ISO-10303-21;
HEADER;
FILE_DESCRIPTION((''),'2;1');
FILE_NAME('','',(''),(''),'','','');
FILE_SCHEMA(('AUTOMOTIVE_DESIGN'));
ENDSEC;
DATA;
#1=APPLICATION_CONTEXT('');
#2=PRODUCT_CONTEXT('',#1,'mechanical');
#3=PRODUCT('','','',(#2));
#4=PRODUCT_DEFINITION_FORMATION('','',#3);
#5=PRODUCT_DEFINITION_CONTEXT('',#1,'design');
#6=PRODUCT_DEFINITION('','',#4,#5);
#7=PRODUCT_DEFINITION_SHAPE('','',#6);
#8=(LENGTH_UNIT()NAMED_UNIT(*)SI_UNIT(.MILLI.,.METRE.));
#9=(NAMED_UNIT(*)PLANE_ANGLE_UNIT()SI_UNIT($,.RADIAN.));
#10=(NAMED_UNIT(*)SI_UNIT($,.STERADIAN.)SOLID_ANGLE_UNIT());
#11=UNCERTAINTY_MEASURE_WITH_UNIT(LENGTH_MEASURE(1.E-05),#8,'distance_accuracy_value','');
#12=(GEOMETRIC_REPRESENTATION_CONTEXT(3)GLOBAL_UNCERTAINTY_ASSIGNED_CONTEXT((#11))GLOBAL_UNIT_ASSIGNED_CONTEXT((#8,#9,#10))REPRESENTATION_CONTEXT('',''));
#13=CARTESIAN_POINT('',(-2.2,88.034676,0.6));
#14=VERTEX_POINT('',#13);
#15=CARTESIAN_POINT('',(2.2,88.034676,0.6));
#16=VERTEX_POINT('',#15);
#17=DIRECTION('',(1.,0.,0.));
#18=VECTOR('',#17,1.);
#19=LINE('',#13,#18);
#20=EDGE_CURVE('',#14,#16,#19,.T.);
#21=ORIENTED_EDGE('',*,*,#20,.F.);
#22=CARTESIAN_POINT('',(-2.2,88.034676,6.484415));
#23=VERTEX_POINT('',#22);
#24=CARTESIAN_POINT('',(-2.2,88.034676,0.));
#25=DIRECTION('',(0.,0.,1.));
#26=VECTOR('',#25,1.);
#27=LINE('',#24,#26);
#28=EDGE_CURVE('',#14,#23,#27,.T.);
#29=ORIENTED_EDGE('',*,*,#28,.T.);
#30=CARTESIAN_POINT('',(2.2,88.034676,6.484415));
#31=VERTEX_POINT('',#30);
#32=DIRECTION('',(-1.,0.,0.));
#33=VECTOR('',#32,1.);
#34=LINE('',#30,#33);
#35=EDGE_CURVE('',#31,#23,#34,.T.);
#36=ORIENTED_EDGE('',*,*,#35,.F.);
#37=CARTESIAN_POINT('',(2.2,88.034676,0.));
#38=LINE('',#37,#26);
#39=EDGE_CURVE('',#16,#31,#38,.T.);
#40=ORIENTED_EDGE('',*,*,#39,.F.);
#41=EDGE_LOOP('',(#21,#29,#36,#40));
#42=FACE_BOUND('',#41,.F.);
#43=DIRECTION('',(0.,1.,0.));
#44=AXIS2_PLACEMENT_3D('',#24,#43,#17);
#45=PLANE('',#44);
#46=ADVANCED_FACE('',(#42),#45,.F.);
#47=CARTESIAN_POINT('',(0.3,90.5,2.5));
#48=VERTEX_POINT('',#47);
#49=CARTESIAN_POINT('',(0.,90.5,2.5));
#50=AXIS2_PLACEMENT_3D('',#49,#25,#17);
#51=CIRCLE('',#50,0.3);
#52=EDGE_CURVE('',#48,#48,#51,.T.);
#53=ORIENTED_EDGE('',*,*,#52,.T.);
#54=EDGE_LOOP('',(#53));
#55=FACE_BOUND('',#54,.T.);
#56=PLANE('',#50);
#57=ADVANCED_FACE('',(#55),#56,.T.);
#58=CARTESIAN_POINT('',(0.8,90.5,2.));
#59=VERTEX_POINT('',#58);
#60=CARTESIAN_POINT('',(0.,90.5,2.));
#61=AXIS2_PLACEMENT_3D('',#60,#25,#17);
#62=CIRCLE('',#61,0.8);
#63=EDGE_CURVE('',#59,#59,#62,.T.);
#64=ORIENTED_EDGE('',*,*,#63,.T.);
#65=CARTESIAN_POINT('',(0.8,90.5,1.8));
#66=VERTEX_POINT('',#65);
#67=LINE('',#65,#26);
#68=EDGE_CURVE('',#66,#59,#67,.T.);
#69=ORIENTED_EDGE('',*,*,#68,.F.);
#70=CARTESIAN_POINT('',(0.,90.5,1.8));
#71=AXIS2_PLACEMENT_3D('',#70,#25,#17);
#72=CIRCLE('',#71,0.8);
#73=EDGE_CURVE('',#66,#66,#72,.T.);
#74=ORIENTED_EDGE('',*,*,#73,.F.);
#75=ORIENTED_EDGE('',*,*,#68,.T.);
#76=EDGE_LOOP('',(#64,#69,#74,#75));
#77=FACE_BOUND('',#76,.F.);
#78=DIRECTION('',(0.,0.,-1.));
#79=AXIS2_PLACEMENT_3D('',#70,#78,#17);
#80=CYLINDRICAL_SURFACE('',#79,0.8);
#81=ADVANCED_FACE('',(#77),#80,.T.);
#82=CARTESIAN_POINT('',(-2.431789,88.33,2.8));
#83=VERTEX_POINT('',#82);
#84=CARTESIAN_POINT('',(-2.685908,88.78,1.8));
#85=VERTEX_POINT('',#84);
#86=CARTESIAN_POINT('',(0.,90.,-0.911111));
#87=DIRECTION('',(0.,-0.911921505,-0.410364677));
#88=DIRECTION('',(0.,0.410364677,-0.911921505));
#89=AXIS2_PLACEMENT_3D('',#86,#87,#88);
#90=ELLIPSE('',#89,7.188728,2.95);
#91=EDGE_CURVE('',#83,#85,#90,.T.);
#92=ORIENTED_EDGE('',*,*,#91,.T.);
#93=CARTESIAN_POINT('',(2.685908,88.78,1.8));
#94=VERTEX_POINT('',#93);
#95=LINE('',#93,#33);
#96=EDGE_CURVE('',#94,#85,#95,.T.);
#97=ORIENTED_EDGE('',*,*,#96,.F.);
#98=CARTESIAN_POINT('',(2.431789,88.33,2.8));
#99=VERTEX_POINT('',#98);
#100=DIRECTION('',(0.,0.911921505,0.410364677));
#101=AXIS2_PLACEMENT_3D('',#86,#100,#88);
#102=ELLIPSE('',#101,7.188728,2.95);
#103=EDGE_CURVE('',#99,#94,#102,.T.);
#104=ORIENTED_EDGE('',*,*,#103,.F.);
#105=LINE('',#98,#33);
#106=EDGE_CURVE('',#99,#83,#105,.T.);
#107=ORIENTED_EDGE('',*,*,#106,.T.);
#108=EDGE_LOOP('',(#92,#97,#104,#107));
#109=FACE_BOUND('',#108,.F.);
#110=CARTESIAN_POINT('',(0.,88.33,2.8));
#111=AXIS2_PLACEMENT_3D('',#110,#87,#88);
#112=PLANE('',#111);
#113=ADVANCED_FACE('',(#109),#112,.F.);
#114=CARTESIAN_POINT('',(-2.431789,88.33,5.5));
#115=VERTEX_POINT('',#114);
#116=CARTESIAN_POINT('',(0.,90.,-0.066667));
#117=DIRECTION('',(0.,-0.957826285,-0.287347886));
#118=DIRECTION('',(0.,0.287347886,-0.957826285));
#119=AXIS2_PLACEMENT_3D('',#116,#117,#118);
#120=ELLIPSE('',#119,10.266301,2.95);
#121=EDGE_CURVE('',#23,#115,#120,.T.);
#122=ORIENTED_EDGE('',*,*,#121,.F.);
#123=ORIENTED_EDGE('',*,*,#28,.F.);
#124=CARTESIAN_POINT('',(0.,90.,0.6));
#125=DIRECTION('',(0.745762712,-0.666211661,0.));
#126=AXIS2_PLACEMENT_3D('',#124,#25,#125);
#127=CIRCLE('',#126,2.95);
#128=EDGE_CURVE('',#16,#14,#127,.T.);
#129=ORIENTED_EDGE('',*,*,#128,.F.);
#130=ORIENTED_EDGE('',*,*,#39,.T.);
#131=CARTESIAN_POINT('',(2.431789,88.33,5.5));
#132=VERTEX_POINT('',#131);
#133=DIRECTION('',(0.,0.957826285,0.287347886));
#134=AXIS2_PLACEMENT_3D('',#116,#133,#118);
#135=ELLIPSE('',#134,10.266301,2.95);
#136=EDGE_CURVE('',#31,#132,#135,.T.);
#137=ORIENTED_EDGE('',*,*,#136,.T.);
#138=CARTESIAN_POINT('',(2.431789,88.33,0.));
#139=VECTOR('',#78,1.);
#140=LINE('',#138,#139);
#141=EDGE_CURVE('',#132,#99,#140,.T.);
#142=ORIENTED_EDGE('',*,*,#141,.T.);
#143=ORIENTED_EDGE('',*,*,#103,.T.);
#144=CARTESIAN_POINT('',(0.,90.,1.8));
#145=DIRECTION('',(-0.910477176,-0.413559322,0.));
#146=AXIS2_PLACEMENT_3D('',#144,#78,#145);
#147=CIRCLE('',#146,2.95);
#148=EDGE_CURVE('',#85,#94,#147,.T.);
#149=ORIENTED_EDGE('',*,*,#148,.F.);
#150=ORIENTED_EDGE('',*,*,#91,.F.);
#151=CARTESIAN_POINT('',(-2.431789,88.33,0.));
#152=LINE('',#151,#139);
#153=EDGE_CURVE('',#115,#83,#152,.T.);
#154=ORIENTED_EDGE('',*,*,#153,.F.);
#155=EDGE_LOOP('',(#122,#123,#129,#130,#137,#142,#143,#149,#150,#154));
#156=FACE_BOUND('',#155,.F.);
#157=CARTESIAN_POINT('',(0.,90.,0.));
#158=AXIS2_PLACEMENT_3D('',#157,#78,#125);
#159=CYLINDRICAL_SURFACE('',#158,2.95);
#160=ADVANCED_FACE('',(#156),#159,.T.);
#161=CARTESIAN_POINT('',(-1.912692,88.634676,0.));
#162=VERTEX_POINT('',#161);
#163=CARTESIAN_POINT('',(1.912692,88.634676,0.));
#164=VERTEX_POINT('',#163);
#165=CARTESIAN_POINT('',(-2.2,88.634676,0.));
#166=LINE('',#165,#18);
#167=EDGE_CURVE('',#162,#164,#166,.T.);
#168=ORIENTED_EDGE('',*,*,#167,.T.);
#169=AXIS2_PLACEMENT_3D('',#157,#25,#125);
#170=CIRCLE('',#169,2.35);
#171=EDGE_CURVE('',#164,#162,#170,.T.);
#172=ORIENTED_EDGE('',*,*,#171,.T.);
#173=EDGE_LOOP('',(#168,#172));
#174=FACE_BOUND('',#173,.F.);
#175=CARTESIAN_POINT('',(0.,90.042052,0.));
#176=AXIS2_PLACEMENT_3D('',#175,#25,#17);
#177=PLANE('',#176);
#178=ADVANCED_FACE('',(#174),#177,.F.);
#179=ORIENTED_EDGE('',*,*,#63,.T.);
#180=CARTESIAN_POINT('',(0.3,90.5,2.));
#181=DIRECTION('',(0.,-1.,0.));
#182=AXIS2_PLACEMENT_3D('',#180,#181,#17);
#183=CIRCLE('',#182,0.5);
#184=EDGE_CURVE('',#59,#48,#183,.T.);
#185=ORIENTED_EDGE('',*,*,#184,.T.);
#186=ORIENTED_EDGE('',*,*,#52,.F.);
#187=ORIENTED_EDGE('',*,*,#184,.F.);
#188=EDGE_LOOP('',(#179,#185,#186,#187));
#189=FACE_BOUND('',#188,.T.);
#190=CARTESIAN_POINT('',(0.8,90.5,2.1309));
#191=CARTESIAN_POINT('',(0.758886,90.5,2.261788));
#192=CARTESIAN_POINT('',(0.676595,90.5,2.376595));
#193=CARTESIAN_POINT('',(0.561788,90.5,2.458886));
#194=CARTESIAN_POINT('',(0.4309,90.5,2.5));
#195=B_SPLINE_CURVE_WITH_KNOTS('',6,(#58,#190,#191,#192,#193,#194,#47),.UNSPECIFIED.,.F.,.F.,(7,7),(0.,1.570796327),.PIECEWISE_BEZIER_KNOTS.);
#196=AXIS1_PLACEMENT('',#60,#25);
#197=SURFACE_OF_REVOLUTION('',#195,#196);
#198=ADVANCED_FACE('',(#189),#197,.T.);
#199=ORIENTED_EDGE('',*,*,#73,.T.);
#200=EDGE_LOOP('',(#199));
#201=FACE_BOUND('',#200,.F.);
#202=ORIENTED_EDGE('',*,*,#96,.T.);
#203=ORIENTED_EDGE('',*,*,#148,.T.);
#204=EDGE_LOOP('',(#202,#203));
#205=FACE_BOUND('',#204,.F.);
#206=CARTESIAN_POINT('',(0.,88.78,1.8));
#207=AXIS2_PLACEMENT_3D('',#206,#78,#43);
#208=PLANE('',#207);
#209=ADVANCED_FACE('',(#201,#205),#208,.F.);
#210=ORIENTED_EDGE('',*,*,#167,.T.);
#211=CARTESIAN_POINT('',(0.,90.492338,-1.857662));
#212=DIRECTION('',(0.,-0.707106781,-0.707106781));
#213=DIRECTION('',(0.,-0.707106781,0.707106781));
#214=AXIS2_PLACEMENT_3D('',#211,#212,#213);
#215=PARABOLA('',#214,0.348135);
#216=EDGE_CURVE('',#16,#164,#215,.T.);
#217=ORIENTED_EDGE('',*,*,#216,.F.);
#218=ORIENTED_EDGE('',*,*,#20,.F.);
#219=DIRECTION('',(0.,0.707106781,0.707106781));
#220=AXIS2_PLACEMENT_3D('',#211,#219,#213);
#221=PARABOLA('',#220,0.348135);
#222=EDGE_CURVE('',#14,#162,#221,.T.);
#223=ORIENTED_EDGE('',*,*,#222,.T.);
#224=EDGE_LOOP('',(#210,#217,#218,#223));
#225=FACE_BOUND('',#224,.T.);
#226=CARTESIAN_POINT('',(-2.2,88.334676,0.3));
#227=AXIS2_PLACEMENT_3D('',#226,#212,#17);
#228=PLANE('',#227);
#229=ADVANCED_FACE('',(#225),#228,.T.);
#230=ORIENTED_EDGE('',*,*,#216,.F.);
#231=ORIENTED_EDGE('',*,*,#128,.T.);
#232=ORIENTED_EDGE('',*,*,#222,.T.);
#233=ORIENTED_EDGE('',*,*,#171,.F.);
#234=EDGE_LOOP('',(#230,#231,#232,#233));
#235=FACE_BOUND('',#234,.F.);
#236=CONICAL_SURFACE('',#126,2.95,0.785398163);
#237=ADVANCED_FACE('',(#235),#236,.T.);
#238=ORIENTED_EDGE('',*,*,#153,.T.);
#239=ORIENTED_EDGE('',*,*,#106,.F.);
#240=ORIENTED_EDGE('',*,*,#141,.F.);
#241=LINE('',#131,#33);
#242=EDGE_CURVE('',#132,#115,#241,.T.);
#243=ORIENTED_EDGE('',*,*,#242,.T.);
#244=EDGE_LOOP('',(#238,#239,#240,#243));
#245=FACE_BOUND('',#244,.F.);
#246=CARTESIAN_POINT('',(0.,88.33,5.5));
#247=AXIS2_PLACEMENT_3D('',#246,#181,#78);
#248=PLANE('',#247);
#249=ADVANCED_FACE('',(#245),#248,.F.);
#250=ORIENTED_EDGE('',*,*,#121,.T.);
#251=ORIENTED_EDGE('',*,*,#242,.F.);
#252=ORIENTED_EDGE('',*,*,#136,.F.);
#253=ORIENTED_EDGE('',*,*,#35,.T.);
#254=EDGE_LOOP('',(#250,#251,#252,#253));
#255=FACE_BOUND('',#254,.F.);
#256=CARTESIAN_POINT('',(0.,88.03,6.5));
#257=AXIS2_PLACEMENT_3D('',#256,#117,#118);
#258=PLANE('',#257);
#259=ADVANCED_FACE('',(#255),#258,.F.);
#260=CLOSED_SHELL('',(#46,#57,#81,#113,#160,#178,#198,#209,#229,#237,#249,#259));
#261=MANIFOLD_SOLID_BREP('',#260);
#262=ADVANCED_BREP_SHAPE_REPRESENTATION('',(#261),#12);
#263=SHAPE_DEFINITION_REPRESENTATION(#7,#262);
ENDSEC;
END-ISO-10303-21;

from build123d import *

# Parameters (mm, degrees)
PAD003_DEPTH         = 6.5
POCKET004_DEPTH      = 2.951
POCKET004_DEPTH_BACK = 2.951
SKETCH013_R          = 0.8
PAD006_DEPTH         = 0.7
FILLET_R             = 0.5
CHAMFER004_SIZE      = 0.6


with BuildPart() as part:
    # Sketch004 → Pad003 (new body)
    with BuildSketch(Plane.XY):
        with BuildLine():
            ThreePointArc((2.2, -1.9653244007), (0, 2.95), (-2.2, -1.9653244007))
            Line((-2.2, -1.9653244007), (2.2, -1.9653244007))
        make_face()
    extrude(amount=PAD003_DEPTH)

    # Sketch014 → Pocket004 (cut, two sides)
    with BuildSketch(Plane.YZ) as pocket004_sk:
        Polygon((-1.97, 6.5), (-1.67, 5.5), (-1.67, 2.8), (-1.22, 1.8), (4, 1.8), (4, 6.5), align=None)
    extrude(amount=-POCKET004_DEPTH, mode=Mode.SUBTRACT)
    extrude(pocket004_sk.sketch, amount=POCKET004_DEPTH_BACK, mode=Mode.SUBTRACT)

    # Sketch013 (on Face7 of Pocket004) → Pad006 (join)
    with BuildSketch(Plane.XY.offset(1.8)):
        with Locations((0, 0.5)):
            Circle(SKETCH013_R)
    extrude(amount=PAD006_DEPTH)

    # Fillet
    fillet_edges = [part.edges().sort_by_distance(p)[0] for p in [
        (-0.8, 0.5, 2.5),
    ]]
    fillet(fillet_edges, radius=FILLET_R)

    # Chamfer004
    chamfer004_edges = [part.edges().sort_by_distance(p)[0] for p in [
        (0, 2.95, 0),
        (0, -1.965324, 0),
    ]]
    chamfer(chamfer004_edges, length=CHAMFER004_SIZE)


with BuildPart() as part_1:
    # Body034 placement: moved
    add(part.part.moved(Location((0, 90, 0))))


solid = part_1.part
